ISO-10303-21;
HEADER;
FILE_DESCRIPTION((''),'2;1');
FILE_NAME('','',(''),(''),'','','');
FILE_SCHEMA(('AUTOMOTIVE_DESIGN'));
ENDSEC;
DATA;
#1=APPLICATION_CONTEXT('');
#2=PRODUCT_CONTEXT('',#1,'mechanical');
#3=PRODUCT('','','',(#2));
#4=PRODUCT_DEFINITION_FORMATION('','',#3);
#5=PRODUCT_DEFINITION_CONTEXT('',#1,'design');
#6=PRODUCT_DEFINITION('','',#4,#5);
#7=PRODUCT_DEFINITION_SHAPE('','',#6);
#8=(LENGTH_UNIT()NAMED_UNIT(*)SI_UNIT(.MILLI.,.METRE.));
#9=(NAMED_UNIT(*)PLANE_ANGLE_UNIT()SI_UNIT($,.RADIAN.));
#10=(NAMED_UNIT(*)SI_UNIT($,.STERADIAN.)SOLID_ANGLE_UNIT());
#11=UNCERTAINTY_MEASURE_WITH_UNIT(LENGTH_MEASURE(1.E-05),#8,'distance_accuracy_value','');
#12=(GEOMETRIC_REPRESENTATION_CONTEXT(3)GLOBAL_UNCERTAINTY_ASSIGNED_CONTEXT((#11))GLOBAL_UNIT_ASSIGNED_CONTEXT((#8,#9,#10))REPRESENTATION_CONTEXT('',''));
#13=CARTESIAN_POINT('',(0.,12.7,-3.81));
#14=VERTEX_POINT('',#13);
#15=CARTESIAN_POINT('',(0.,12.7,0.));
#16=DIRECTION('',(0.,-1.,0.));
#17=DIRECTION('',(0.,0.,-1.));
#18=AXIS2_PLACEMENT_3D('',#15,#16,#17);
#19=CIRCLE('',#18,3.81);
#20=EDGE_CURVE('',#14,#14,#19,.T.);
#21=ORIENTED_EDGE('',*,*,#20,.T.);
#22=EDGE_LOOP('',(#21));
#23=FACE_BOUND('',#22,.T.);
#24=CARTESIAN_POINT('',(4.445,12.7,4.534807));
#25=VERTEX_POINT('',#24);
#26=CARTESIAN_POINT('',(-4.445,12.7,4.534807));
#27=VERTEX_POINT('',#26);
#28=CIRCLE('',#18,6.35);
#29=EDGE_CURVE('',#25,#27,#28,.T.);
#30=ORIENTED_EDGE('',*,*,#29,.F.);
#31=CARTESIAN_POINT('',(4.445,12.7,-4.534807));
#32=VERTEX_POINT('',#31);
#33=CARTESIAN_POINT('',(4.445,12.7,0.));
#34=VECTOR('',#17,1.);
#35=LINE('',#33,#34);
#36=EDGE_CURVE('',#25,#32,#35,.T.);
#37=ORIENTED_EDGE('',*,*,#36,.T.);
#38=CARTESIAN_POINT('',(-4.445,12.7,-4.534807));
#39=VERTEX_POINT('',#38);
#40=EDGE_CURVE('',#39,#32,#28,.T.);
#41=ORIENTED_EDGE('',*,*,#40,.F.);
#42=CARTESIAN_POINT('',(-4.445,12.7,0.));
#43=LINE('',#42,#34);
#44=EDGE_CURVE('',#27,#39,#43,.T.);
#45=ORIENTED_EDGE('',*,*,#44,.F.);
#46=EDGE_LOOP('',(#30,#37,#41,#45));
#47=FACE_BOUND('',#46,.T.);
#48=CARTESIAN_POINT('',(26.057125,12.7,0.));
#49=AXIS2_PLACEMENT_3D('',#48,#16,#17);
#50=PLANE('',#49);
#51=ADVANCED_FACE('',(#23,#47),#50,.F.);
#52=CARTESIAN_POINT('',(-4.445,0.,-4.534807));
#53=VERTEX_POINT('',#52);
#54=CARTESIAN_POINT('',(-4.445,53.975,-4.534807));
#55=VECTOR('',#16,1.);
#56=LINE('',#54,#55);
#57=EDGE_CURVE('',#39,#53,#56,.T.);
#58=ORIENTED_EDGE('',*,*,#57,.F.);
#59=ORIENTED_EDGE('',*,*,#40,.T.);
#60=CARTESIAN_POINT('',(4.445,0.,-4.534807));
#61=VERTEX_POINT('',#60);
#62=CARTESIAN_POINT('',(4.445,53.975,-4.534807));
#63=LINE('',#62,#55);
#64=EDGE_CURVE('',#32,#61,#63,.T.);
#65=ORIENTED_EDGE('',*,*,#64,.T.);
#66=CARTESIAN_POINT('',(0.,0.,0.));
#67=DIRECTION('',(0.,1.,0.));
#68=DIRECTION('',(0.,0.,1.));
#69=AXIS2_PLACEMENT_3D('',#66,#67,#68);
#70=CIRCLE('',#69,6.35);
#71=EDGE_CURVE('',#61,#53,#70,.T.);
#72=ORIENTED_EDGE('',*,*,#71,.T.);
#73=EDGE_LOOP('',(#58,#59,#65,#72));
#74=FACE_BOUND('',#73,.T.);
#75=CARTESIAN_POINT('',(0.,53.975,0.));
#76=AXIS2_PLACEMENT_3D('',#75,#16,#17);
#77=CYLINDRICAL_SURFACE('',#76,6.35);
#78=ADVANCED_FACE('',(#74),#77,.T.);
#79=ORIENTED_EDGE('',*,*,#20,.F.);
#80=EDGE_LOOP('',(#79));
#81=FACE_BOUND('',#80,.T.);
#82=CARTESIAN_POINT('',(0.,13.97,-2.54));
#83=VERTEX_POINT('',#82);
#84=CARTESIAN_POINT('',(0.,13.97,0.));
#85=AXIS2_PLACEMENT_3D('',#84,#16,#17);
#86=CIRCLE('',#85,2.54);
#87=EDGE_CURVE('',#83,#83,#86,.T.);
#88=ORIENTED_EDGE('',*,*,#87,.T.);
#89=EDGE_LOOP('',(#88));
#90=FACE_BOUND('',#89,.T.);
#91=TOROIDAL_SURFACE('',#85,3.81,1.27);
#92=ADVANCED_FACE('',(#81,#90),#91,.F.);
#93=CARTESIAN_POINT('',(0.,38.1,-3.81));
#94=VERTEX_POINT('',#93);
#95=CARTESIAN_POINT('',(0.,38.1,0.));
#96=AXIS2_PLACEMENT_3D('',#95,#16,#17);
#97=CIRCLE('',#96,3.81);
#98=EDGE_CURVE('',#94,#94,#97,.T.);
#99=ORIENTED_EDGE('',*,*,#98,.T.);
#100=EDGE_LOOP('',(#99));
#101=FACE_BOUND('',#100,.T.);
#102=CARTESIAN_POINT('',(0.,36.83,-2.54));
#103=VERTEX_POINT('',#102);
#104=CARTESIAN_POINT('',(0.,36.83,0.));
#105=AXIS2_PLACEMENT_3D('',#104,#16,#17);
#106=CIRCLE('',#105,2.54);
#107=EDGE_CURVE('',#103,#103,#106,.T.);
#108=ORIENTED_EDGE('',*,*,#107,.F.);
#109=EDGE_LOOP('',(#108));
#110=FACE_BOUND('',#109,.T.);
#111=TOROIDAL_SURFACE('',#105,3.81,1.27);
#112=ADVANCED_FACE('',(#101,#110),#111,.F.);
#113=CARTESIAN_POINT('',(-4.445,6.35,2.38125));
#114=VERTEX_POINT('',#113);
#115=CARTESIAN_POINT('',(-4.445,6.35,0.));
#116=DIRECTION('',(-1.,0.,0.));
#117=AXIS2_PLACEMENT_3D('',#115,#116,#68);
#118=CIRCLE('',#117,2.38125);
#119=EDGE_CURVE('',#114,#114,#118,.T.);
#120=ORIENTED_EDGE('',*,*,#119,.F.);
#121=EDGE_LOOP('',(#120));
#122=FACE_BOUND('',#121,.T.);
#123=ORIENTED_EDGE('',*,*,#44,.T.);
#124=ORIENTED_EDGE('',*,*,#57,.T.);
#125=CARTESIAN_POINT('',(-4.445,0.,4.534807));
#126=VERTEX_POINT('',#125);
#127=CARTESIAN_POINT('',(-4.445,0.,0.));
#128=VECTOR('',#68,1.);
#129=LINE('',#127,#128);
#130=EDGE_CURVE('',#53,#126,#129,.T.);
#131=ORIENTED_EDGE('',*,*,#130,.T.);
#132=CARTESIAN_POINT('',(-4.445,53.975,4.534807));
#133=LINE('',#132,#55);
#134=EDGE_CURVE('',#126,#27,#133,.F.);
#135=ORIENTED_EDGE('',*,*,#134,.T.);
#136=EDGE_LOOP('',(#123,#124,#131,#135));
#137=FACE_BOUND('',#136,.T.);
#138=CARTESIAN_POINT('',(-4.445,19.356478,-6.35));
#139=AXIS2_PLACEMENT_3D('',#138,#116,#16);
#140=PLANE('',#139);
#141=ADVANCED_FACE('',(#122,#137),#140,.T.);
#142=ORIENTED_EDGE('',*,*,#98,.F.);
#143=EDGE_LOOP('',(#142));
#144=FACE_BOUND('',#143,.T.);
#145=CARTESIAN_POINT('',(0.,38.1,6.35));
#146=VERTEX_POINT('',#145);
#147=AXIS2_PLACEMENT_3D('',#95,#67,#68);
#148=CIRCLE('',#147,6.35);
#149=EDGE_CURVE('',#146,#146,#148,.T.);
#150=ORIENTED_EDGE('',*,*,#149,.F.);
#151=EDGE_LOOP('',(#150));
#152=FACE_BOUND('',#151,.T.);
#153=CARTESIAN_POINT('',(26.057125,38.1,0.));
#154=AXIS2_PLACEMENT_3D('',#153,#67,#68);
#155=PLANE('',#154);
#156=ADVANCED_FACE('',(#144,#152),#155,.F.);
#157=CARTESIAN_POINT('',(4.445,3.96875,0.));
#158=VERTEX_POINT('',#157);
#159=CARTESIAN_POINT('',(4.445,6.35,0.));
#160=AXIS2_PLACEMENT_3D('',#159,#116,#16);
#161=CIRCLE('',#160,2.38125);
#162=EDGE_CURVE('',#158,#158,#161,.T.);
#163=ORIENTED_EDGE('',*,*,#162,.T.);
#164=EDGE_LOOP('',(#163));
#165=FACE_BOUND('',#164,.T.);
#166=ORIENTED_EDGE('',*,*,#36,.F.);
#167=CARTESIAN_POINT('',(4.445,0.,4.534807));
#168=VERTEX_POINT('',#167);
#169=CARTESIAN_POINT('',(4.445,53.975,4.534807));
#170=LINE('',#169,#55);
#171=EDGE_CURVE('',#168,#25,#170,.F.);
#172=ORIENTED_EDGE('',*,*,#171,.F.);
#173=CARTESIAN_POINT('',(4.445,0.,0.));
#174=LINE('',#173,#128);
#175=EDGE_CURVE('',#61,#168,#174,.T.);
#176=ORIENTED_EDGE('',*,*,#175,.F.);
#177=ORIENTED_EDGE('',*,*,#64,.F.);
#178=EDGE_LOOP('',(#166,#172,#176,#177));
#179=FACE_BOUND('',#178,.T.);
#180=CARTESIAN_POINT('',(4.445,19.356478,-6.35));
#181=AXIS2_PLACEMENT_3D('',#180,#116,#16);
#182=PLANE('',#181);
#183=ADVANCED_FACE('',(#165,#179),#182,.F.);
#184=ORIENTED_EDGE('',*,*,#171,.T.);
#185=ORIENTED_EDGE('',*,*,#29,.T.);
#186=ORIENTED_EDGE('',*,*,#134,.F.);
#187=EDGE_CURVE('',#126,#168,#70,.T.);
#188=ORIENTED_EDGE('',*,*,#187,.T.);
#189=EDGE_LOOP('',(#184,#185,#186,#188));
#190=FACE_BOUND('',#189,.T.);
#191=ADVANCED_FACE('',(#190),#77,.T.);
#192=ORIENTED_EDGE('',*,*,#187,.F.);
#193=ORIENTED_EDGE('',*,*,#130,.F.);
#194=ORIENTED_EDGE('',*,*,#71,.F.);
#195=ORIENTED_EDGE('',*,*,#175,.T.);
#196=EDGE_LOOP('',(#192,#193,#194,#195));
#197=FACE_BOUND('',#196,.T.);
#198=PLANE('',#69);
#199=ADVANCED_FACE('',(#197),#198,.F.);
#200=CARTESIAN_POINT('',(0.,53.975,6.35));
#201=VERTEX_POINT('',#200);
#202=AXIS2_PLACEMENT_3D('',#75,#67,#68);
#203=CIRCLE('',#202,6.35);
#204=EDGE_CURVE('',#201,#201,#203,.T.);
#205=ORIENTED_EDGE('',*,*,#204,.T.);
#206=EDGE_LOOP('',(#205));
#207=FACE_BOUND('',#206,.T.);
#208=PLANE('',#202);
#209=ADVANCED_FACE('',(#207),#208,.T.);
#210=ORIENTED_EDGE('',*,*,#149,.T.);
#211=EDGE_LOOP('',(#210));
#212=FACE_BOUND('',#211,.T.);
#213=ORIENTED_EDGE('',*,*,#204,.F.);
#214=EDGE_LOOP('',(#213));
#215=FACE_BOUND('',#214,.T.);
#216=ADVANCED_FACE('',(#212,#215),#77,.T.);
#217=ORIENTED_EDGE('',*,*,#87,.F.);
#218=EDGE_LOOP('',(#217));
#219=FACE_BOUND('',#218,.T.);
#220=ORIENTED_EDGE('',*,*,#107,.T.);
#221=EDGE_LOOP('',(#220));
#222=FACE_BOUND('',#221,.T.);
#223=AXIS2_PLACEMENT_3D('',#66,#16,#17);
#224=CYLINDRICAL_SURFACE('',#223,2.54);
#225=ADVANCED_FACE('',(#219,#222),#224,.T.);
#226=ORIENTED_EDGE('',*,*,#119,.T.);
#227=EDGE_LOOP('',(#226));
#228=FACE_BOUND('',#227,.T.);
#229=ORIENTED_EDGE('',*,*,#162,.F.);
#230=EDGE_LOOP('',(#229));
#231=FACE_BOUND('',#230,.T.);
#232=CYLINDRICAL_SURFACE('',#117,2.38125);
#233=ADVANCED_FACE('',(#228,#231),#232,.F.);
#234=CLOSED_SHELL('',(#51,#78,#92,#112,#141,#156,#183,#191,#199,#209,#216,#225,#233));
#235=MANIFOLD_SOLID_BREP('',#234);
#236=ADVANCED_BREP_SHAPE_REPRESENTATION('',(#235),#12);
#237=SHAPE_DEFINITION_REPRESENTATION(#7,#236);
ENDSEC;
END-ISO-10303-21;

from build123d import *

# Parameters (mm, degrees)
SKETCH1_R                      = 6.35
BOSS_EXTRUDE1_DEPTH            = 53.975
SKETCH3_W                      = 13.824388351
SKETCH3_H                      = 22.988870516
CUT_EXTRUDE1_DEPTH             = 55.716959208
F_3_16_0_1875_DIAMETER_HOLE1_D = 4.7625


with BuildPart() as part:
    # Sketch1 → Boss-Extrude1 (new body)
    with BuildSketch(Plane(origin=(0, 0, 0), x_dir=(1, 0, 0), z_dir=(0, 1, 0))):
        with Locations(Location((0, 0, 0), (0, 0, 270))):
            Circle(SKETCH1_R)
    extrude(amount=BOSS_EXTRUDE1_DEPTH)

    # Sketch2 → Cut-Revolve1 (revolve, cut)
    with BuildSketch(Plane.XY, mode=Mode.PRIVATE) as cut_revolve1_sk:
        with BuildLine():
            Line((26.057124612, 38.1), (3.81, 38.1))
            ThreePointArc((3.81, 38.1), (2.911974388, 37.728025612), (2.54, 36.83))
            Line((2.54, 36.83), (2.54, 13.97))
            ThreePointArc((2.54, 13.97), (2.911974388, 13.071974388), (3.81, 12.7))
            Line((3.81, 12.7), (26.057124612, 12.7))
            Line((26.057124612, 12.7), (26.057124612, 38.1))
        make_face()
    revolve(cut_revolve1_sk.sketch.rotate(Axis((0, 0, 0), (0, 1, 0)), 90), axis=Axis((0, 0, 0), (0, 1, 0)), mode=Mode.SUBTRACT)

    # Sketch3 → Cut-Extrude1 (cut, symmetric)
    with BuildSketch(Plane.XY):
        with Locations((11.357194176, 7.862043189)):
            Rectangle(SKETCH3_W, SKETCH3_H)
    cut_extrude1 = extrude(amount=CUT_EXTRUDE1_DEPTH, both=True, mode=Mode.SUBTRACT)

    # Mirror1: Cut-Extrude1 across plane
    add(cut_extrude1.mirror(Plane(origin=(0, 0, 0), x_dir=(0, 0, 1), z_dir=(1, 0, 0))), mode=Mode.SUBTRACT)

    # 3/16 (0.1875) Diameter Hole1 (through all)
    with Locations(Plane.ZY.offset(4.445)):
        with Locations((0, 6.35)):
            Hole(F_3_16_0_1875_DIAMETER_HOLE1_D / 2)


solid = part.part
